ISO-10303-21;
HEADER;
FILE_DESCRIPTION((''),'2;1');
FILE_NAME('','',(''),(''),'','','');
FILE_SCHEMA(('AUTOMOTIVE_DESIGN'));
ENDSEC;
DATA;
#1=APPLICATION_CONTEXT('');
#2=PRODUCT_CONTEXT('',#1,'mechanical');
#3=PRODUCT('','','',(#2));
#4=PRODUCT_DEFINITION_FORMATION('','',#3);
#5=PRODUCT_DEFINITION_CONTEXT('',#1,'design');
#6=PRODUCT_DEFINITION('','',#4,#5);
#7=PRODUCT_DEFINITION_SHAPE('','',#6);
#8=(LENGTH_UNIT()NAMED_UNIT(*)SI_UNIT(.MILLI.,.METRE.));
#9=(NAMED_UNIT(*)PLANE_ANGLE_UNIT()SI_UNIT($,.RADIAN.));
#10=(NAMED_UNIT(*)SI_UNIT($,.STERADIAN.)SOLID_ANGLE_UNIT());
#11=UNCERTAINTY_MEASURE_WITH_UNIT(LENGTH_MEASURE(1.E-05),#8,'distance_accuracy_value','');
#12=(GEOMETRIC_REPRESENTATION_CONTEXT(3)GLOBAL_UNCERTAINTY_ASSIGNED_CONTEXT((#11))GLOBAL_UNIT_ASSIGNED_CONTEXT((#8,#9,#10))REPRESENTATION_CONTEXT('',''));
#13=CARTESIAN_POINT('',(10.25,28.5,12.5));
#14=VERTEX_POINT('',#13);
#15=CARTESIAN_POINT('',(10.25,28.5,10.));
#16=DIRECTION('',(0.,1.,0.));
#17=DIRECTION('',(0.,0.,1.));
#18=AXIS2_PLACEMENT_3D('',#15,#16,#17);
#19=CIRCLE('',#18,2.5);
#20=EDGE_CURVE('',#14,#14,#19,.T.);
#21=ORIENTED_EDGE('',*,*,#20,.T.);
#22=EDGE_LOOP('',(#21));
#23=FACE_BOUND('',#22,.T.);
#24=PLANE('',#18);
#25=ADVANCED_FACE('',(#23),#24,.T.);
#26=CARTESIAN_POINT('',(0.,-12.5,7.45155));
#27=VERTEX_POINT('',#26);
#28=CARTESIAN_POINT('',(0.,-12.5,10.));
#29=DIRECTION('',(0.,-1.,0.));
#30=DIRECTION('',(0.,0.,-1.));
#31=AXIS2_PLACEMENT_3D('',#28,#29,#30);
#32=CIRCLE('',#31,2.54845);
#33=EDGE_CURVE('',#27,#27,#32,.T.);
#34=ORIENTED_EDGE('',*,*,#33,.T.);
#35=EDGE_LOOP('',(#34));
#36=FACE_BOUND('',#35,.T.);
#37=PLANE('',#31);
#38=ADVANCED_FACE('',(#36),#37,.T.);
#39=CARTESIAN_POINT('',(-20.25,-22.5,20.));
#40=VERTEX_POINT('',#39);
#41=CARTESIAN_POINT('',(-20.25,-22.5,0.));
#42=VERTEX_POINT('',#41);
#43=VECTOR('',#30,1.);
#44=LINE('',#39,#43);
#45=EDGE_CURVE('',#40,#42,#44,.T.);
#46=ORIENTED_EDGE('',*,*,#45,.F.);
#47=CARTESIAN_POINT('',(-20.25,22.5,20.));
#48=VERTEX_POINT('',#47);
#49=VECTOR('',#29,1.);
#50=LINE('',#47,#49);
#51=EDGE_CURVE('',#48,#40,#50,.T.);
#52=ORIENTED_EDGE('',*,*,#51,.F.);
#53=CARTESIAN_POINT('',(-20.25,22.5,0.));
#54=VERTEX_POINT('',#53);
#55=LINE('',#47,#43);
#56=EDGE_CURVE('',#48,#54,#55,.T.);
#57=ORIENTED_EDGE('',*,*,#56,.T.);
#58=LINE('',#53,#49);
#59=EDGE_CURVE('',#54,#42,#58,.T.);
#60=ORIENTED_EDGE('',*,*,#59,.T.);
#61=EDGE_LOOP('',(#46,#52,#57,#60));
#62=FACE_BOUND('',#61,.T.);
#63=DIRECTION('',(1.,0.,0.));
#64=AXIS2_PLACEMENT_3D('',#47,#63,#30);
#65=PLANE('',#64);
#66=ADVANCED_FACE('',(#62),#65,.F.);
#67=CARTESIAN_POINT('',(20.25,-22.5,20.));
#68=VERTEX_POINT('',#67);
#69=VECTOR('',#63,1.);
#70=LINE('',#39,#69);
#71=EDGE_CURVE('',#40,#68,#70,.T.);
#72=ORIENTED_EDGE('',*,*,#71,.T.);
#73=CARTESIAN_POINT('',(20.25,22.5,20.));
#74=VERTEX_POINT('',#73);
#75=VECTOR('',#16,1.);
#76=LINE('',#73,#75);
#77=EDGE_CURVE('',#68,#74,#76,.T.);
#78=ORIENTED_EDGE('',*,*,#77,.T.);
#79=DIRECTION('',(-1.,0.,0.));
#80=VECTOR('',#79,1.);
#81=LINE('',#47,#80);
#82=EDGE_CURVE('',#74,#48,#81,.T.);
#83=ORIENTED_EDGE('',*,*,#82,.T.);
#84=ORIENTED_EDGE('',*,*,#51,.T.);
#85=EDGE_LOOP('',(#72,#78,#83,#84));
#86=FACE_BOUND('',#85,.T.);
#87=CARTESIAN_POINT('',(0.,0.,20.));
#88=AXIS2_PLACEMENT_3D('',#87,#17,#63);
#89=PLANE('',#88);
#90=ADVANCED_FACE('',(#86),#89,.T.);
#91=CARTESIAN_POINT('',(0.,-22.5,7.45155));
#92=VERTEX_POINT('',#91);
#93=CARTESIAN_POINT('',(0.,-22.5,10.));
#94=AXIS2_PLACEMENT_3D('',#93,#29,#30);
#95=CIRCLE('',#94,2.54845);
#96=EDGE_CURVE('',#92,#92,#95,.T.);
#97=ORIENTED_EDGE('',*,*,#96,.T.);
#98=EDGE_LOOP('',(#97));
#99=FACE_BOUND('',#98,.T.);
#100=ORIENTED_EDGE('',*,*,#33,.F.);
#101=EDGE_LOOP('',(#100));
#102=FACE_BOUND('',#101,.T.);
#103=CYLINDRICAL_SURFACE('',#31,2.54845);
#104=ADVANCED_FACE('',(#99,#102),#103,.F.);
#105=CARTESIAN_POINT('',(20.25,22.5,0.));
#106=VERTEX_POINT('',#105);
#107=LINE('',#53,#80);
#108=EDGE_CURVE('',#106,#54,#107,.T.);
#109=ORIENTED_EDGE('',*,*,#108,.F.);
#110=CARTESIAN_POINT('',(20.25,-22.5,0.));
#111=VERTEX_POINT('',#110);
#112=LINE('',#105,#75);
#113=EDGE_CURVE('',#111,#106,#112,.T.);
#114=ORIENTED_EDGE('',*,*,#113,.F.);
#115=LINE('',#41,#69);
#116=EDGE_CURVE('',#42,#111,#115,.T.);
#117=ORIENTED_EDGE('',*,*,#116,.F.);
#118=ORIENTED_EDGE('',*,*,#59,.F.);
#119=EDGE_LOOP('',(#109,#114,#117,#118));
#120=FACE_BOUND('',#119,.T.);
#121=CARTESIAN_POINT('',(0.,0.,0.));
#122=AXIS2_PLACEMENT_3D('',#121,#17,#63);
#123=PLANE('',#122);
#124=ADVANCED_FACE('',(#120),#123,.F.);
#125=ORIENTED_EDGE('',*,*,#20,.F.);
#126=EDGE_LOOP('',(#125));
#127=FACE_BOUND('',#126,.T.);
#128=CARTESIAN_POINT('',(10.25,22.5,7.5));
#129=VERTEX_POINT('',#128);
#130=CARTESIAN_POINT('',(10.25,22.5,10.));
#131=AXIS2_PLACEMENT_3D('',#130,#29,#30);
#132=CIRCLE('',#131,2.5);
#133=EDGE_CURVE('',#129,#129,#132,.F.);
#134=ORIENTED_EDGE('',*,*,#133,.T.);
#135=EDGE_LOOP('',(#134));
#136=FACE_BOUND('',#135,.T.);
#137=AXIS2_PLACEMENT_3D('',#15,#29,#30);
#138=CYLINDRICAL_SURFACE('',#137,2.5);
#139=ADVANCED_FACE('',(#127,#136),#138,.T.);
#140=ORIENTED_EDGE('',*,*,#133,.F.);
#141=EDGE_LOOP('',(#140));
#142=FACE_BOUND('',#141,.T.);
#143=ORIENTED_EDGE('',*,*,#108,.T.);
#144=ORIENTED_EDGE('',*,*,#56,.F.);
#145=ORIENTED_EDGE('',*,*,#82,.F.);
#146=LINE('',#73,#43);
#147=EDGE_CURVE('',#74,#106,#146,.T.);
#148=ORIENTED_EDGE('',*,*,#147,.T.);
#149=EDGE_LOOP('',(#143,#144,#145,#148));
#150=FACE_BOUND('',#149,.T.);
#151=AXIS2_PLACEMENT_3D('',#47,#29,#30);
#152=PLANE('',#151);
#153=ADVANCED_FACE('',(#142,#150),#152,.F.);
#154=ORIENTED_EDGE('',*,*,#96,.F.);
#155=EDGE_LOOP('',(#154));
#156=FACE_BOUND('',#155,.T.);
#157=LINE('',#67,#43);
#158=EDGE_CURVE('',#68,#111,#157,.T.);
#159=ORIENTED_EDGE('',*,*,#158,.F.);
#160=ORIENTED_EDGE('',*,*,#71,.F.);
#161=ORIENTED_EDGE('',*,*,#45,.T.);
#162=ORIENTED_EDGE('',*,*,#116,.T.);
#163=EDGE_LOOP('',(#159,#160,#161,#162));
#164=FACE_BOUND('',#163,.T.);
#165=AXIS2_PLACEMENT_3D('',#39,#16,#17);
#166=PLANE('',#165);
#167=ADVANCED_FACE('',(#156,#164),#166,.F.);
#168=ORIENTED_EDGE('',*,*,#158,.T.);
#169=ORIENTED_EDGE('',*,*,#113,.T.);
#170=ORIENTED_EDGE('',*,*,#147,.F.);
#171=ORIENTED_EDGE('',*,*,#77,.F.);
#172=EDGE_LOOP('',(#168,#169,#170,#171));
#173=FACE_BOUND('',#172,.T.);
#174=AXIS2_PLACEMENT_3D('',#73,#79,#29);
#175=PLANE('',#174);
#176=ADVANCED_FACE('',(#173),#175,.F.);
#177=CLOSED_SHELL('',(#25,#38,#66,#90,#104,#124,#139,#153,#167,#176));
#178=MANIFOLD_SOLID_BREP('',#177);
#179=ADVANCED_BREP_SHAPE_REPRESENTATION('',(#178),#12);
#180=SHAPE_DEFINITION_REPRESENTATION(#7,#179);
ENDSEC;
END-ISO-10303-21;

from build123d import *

# Parameters (mm, degrees)
SKETCH1_W           = 40.5
SKETCH1_H           = 45
BOSS_EXTRUDE1_DEPTH = 20
SKETCH2_R           = 2.5
BOSS_EXTRUDE2_DEPTH = 6
SKETCH3_R           = 2.548450287
CUT_EXTRUDE1_DEPTH  = 10


with BuildPart() as part:
    # Sketch1 → Boss-Extrude1 (new body)
    with BuildSketch(Plane.XY):
        Rectangle(SKETCH1_W, SKETCH1_H)
    extrude(amount=BOSS_EXTRUDE1_DEPTH)

    # Sketch2 → Boss-Extrude2 (add)
    with BuildSketch(Plane(origin=(0, 22.5, 0), x_dir=(1, 0, 0), z_dir=(0, 1, 0))):
        with Locations(Location((10.25, -10, 0), (0, 0, 90))):
            Circle(SKETCH2_R)
    extrude(amount=BOSS_EXTRUDE2_DEPTH)

    # Sketch3 → Cut-Extrude1 (cut)
    with BuildSketch(Plane(origin=(0, -22.5, 0), x_dir=(-1, 0, 0), z_dir=(0, -1, 0))):
        with Locations(Location((0, -10, 0), (0, 0, 90))):
            Circle(SKETCH3_R)
    extrude(amount=-CUT_EXTRUDE1_DEPTH, mode=Mode.SUBTRACT)


solid = part.part
